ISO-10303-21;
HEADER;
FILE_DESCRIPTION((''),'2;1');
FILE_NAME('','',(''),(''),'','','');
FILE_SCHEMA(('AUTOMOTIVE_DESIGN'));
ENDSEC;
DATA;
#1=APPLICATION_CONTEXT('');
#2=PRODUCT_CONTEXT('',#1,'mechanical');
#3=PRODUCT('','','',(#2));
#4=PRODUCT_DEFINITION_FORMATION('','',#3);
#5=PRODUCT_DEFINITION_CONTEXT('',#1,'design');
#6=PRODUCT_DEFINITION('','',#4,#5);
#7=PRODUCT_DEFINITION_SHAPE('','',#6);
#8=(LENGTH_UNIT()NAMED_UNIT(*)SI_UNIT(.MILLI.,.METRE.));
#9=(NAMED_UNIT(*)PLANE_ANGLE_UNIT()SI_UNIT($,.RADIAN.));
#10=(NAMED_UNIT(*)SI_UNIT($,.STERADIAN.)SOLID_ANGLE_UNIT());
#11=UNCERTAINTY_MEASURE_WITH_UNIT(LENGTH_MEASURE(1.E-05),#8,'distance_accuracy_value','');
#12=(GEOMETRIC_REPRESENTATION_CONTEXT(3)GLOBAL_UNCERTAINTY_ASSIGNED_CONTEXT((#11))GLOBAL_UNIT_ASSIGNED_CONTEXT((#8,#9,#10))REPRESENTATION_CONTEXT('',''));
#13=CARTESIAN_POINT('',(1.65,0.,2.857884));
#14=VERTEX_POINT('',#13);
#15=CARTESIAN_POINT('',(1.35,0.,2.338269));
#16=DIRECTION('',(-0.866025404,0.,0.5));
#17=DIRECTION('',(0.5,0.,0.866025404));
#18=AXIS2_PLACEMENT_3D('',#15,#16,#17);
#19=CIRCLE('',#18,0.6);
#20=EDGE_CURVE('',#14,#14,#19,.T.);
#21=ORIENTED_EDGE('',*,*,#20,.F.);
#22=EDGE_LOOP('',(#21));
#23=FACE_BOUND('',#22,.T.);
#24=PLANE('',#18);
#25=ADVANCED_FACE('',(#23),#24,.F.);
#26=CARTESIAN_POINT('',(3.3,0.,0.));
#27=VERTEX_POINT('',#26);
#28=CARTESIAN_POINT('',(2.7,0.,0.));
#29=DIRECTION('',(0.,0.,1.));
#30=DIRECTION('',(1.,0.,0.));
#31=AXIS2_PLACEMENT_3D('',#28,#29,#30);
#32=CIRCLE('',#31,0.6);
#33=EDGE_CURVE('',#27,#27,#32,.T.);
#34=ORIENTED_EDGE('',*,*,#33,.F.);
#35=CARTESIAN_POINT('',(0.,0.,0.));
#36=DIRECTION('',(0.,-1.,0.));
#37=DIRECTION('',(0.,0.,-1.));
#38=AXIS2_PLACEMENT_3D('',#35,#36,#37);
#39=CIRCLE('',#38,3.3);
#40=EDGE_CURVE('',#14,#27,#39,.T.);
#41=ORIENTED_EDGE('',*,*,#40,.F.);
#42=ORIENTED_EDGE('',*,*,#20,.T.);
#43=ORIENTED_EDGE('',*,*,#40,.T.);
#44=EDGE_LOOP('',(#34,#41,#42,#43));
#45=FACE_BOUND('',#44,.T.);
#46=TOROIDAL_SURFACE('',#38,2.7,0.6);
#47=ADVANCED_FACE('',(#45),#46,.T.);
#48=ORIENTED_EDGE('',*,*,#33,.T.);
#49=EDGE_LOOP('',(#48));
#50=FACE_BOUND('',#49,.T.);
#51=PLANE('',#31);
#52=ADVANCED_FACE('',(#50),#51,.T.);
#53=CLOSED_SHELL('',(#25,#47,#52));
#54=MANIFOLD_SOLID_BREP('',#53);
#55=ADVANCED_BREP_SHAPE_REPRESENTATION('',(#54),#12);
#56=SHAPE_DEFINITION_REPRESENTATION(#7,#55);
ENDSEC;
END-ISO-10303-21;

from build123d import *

# Parameters (mm, degrees)
RECONSTRUCTED_NOMINAL_AXIAL_PROFILE_R = 0.6
NATIVE_REVOLVED_GEOMETRY_ANGLE        = 300


with BuildPart() as part:
    # Reconstructed nominal axial profile → Native revolved geometry (revolve)
    with BuildSketch(Plane.XY):
        with Locations((2.7, 0)):
            Circle(RECONSTRUCTED_NOMINAL_AXIAL_PROFILE_R)
    revolve(axis=Axis((0, -500, 0), (0, 1, 0)), revolution_arc=NATIVE_REVOLVED_GEOMETRY_ANGLE)


solid = part.part
